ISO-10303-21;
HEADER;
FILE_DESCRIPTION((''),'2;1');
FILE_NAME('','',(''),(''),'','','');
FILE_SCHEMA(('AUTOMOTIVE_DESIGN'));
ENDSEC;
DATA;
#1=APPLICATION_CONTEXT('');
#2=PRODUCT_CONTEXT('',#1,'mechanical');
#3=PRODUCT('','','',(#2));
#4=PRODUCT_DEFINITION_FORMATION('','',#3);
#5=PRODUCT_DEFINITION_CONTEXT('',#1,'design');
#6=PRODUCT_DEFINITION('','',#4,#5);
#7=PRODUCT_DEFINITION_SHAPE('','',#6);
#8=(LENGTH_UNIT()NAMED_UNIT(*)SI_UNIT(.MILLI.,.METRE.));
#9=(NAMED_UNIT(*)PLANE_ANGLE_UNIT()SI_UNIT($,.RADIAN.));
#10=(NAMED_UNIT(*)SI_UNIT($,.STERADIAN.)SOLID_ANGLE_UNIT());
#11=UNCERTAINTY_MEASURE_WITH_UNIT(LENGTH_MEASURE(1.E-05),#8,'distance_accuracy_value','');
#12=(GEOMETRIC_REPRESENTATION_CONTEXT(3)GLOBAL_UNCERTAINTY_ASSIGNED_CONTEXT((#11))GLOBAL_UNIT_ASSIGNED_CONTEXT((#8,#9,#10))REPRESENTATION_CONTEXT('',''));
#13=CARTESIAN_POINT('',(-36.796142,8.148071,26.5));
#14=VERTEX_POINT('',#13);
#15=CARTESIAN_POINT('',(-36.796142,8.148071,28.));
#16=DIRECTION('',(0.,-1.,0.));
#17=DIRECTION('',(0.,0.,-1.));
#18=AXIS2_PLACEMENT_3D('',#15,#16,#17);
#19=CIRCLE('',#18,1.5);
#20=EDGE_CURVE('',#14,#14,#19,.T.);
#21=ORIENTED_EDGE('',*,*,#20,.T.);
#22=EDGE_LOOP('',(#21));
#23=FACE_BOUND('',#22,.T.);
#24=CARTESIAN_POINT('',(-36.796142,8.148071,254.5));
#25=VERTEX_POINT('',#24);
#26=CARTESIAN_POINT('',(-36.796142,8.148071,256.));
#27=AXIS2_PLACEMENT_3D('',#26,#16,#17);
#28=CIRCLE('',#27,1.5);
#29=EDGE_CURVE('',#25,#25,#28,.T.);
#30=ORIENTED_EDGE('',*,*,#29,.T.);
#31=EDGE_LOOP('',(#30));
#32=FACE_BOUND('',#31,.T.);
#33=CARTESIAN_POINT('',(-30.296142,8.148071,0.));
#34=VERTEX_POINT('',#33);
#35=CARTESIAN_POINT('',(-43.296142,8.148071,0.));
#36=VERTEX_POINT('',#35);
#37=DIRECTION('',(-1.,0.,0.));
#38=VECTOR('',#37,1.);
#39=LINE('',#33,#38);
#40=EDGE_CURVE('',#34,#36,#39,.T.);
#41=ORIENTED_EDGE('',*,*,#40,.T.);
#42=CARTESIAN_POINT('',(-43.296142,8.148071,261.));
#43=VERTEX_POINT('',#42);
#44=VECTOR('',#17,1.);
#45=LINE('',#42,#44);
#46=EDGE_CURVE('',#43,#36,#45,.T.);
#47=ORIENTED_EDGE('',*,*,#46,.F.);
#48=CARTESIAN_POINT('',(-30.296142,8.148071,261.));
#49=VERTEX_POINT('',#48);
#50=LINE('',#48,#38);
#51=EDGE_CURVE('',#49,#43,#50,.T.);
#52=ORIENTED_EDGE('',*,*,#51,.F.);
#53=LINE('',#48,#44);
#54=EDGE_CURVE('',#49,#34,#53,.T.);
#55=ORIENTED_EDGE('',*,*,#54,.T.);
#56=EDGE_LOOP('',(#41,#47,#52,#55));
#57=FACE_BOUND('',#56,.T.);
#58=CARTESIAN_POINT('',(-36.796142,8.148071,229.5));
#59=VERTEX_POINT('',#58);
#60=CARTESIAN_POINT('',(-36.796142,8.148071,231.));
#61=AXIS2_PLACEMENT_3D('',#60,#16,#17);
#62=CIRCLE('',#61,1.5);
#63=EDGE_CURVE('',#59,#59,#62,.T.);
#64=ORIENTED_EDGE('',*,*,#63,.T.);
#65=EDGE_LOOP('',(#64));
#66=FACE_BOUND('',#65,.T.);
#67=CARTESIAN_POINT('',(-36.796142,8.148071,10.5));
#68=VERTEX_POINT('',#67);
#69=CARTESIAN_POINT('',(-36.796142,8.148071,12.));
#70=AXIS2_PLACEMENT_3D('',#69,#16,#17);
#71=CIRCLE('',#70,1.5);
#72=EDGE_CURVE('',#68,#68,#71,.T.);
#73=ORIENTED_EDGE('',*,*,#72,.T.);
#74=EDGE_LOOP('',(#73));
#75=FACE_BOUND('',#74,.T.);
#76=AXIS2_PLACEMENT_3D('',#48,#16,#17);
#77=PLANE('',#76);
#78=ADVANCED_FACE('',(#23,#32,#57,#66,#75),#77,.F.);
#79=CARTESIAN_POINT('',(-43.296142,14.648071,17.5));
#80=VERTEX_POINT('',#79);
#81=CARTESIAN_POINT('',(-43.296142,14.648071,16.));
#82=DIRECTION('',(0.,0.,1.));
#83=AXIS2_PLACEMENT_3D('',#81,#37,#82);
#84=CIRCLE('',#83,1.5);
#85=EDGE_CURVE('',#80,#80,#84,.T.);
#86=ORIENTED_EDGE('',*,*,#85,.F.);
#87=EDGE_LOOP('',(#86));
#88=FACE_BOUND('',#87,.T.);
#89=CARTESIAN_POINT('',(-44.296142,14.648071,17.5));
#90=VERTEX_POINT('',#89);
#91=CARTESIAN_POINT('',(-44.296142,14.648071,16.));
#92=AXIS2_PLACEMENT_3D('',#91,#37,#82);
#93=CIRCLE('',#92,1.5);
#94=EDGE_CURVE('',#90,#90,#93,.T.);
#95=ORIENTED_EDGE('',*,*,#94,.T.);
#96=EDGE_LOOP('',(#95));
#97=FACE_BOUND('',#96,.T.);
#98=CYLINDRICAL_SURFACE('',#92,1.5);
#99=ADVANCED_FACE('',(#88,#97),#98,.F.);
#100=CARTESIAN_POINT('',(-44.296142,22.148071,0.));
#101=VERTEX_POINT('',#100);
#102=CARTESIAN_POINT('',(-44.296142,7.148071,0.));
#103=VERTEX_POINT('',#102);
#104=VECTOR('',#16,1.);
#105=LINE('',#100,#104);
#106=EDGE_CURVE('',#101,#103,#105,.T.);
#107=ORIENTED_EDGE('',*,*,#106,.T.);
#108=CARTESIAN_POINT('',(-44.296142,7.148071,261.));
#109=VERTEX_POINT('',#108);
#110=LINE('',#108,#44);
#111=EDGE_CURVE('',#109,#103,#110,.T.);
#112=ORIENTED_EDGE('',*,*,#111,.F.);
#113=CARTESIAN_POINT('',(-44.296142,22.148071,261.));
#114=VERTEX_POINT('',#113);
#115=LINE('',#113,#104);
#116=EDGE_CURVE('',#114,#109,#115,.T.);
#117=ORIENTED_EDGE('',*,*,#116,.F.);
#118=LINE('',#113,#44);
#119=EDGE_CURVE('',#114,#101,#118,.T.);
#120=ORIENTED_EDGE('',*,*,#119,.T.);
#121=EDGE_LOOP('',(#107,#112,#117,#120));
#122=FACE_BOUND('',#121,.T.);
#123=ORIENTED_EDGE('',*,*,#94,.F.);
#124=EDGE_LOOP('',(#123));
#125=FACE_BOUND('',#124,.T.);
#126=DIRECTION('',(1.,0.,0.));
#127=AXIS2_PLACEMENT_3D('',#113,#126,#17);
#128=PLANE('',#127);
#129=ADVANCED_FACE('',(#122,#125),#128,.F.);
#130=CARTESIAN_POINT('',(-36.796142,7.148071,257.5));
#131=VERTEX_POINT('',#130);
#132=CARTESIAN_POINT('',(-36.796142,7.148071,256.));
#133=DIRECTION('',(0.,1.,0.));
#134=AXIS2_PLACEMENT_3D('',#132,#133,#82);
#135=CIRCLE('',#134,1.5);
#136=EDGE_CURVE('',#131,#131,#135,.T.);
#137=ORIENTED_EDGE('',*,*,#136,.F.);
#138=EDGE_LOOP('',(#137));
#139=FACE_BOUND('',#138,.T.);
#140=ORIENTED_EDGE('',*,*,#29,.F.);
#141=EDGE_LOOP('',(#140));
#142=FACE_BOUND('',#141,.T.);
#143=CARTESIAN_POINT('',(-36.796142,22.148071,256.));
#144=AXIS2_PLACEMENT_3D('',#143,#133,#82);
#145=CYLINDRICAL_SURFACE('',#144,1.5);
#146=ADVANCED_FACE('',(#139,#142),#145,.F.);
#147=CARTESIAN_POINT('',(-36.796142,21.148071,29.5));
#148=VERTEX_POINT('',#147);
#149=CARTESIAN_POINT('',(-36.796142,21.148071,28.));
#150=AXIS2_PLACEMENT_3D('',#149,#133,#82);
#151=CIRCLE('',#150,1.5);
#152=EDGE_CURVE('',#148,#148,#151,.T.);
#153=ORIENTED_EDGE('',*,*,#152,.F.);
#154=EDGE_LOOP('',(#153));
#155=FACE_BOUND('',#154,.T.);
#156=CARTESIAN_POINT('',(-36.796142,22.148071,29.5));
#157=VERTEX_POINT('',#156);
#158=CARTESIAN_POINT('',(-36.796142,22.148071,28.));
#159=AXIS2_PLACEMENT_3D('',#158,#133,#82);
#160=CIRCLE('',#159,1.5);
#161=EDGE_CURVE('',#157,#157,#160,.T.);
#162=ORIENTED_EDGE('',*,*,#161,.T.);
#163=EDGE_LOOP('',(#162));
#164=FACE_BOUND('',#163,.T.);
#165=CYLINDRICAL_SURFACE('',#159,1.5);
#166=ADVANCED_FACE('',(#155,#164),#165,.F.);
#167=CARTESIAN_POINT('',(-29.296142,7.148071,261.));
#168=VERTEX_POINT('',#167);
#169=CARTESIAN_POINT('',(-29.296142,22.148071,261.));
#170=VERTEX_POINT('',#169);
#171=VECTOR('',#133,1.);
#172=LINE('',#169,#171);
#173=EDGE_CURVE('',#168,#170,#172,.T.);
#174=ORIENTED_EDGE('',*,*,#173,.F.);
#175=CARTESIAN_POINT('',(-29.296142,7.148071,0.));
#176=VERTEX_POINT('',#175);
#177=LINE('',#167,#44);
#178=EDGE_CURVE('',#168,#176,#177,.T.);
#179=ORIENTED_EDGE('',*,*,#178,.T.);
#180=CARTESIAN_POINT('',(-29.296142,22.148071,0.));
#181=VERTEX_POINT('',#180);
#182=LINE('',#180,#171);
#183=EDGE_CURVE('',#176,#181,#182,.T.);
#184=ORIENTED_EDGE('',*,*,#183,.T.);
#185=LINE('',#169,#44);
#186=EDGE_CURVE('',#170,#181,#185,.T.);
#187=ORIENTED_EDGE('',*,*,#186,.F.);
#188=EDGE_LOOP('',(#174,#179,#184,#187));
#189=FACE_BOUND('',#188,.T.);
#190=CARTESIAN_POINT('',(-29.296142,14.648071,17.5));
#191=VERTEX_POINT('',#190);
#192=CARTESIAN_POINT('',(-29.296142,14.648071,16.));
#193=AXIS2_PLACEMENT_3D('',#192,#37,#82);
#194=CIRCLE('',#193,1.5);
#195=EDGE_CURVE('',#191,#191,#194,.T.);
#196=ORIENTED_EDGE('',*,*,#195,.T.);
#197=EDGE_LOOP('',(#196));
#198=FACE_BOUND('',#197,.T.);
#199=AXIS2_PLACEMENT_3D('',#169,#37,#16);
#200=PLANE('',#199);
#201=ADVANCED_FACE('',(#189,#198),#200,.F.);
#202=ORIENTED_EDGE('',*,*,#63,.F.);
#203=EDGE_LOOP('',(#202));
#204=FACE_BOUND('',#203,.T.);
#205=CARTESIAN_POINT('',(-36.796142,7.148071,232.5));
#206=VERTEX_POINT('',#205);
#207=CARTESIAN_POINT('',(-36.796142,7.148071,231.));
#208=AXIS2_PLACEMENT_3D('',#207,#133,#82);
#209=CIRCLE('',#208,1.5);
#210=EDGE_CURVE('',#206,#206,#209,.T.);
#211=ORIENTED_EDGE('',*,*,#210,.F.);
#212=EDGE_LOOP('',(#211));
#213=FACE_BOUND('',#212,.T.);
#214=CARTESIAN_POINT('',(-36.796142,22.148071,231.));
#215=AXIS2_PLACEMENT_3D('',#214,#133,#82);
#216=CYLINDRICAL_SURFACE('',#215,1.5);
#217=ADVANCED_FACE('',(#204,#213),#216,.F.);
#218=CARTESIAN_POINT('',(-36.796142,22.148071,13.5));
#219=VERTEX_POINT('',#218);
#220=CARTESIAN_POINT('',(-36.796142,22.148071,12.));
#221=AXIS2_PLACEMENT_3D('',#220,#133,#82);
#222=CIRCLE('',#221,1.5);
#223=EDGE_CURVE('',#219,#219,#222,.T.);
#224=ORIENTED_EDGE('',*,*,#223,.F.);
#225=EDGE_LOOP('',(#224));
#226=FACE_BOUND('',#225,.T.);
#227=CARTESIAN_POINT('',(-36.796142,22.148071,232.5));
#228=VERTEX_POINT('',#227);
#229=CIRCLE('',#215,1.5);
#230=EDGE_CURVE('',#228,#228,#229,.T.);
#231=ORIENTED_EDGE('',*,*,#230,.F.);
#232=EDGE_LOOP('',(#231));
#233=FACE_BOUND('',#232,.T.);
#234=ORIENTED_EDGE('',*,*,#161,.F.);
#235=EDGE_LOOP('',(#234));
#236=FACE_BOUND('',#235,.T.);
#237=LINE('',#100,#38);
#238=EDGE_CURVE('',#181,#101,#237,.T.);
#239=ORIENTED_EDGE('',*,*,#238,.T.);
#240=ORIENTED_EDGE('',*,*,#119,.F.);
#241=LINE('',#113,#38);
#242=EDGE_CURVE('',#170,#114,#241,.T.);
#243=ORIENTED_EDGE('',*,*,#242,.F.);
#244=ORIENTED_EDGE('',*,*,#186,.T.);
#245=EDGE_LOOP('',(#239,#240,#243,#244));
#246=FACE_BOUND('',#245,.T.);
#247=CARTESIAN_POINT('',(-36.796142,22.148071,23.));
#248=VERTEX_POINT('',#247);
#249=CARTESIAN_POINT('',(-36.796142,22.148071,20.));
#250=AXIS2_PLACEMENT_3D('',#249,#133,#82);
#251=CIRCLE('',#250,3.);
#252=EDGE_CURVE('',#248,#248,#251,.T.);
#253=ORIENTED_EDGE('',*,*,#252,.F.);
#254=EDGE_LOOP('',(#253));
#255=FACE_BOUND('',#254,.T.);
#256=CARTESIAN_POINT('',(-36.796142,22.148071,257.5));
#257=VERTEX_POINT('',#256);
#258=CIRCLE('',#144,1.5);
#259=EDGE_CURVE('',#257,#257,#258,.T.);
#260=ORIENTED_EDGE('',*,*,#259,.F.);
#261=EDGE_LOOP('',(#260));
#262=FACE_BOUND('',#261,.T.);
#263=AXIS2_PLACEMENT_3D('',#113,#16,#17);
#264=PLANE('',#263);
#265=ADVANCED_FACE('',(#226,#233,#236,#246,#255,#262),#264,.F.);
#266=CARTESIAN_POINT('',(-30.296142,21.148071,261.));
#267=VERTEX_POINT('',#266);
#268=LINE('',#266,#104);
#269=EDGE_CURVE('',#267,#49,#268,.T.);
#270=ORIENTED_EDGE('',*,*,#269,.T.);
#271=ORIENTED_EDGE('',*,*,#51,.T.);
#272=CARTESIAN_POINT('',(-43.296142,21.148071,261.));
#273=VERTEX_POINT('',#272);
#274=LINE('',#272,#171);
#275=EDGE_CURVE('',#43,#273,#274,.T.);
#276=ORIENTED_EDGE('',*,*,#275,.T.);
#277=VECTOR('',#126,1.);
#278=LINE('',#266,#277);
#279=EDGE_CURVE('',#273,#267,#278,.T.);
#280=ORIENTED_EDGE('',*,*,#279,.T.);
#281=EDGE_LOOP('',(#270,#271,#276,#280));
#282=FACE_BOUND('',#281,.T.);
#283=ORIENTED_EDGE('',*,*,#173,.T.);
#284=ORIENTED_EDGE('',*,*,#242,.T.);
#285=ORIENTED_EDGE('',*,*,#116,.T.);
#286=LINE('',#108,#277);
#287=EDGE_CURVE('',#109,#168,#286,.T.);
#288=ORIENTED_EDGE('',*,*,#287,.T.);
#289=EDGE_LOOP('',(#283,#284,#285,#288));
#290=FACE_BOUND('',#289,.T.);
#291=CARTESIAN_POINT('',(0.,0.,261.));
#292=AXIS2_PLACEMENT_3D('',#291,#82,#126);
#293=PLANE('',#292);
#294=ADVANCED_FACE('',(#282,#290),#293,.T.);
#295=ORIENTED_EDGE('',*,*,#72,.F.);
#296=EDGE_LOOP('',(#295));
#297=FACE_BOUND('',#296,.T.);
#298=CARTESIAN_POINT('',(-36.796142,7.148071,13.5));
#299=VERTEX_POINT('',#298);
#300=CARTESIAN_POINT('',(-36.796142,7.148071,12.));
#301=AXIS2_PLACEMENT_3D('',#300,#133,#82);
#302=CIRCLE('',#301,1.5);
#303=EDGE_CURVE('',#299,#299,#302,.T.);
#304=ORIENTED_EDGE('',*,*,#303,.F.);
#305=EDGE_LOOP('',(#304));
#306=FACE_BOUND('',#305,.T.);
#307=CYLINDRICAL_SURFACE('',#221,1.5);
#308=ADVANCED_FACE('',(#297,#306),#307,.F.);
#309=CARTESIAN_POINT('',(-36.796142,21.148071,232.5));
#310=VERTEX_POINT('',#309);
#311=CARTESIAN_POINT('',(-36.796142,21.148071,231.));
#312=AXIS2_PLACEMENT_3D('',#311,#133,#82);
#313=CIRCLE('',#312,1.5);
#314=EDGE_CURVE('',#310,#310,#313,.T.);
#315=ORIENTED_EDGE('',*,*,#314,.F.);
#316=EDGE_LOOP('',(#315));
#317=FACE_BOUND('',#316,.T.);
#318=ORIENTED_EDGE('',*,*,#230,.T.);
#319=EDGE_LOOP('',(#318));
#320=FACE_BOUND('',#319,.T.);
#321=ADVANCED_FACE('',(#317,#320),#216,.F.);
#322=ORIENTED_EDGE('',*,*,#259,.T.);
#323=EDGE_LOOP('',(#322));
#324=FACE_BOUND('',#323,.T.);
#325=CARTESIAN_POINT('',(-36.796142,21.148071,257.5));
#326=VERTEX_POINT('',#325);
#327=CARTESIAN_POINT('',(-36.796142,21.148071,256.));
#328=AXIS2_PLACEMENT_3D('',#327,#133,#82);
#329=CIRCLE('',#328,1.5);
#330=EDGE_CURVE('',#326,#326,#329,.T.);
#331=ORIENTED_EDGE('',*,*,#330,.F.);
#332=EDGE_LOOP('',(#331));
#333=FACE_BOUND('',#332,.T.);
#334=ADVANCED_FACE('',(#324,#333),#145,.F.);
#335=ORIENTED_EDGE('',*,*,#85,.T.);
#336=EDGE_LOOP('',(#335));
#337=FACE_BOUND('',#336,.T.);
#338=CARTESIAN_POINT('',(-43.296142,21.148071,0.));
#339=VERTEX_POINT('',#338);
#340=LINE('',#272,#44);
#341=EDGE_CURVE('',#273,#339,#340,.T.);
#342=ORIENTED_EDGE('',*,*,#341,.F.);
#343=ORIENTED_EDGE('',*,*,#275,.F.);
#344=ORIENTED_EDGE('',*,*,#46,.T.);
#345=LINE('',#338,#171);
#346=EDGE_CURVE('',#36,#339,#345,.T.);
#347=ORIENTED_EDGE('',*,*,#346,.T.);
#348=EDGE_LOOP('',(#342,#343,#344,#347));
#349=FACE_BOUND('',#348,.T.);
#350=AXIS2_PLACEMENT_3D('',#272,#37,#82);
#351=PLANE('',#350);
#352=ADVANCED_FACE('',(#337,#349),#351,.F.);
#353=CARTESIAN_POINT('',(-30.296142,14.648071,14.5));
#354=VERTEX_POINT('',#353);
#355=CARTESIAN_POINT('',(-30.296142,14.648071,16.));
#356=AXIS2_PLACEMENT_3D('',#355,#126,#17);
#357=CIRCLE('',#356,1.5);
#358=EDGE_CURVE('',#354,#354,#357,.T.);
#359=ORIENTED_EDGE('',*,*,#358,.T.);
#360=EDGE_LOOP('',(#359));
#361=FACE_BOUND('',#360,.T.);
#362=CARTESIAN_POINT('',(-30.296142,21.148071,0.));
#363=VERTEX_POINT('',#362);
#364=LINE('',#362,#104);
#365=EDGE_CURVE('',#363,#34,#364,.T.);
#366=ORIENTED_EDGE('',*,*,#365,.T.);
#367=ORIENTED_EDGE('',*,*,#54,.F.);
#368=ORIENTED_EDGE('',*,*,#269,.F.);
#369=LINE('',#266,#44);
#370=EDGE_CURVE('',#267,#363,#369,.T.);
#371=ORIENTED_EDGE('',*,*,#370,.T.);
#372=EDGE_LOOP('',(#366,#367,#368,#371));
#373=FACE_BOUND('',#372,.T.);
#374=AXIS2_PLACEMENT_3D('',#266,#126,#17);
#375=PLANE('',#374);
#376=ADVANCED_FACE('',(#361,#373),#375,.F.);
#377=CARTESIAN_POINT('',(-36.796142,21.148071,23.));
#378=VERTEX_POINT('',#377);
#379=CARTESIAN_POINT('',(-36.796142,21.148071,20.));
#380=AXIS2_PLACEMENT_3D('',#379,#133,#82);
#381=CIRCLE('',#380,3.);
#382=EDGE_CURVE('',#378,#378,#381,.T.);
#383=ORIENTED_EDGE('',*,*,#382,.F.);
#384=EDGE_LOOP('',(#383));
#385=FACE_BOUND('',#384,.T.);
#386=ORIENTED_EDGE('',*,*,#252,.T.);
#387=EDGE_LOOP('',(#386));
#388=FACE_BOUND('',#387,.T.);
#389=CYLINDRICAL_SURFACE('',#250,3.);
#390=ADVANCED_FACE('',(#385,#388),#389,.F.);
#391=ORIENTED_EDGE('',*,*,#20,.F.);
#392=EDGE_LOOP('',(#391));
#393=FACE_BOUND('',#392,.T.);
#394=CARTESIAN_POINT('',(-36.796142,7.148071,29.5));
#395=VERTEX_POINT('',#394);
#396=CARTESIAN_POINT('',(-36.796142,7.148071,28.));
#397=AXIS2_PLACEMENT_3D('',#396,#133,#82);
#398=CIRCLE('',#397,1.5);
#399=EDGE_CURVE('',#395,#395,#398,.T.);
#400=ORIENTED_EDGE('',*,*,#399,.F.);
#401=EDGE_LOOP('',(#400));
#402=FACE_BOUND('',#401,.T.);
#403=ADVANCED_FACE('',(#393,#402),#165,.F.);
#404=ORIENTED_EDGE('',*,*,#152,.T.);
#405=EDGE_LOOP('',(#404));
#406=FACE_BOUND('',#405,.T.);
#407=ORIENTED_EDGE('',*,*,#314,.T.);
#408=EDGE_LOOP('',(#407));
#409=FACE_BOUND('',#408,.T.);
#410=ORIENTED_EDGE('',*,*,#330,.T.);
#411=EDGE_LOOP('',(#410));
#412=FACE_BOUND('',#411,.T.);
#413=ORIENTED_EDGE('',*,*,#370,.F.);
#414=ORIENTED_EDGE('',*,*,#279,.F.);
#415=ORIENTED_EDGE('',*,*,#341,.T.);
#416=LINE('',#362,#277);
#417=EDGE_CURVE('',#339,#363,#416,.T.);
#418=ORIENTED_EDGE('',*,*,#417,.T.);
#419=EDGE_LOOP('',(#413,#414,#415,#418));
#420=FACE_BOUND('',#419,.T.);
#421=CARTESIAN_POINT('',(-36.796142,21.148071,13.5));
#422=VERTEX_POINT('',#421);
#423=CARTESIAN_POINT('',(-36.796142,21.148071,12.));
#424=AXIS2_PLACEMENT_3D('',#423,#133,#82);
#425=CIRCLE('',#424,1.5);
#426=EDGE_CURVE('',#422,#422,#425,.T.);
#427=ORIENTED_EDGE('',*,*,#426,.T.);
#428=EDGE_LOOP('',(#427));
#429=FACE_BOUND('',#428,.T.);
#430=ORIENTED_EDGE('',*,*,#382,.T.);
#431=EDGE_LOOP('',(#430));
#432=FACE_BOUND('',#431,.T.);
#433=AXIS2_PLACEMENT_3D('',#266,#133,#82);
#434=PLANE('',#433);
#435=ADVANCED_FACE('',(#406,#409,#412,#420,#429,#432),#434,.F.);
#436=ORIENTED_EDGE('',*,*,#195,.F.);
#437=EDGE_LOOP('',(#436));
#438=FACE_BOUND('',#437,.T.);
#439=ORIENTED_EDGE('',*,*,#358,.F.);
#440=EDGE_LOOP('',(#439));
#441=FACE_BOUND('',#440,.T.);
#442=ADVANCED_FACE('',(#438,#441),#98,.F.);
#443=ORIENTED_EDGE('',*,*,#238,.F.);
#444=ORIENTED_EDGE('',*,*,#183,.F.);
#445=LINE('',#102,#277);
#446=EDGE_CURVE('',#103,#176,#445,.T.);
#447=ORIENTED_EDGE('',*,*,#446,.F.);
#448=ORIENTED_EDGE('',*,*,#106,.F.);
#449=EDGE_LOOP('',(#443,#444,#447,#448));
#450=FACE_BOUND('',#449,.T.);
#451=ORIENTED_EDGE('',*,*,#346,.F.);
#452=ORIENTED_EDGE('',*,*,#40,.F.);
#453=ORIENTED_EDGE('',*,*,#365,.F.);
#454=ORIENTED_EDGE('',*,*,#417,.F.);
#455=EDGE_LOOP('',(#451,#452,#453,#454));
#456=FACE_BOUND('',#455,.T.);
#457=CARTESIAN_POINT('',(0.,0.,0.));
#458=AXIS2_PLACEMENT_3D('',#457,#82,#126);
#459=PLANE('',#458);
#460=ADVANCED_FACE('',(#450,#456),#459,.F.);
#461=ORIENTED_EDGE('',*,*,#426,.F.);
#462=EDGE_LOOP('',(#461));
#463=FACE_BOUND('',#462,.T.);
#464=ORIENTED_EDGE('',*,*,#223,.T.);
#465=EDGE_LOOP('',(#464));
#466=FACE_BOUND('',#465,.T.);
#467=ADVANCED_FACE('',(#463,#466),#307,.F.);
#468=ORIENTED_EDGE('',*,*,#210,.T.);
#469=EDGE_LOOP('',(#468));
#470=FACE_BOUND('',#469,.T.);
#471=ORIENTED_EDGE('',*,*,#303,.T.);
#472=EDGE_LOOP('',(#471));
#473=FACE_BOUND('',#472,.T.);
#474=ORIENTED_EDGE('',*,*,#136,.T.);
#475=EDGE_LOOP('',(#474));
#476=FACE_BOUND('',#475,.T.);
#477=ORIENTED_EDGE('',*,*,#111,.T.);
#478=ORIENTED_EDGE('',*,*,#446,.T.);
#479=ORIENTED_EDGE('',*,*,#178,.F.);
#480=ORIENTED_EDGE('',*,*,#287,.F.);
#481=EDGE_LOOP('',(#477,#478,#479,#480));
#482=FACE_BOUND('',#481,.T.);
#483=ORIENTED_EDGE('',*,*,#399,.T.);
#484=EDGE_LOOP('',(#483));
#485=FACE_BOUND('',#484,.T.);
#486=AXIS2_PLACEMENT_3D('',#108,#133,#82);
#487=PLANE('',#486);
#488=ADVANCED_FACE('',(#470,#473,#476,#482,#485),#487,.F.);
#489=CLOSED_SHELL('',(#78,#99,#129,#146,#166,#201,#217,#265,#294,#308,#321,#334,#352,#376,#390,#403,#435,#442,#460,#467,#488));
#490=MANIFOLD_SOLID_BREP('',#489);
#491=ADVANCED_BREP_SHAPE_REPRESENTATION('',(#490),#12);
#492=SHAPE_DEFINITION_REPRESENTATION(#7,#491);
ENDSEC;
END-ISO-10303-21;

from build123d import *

# Parameters (mm, degrees)
SKETCH1_W                    = 15
SKETCH1_H                    = 15
BOSS_EXTRUDE1_DEPTH          = 261
SKETCH2_W                    = 13
SKETCH2_H                    = 13
CUT_EXTRUDE1_DEPTH           = 261
F_3_0_3_DIAMETER_HOLE1_D     = 3
F_3_0_3_DIAMETER_HOLE2_D     = 3
F_6_0_6_DIAMETER_HOLE1_D     = 6
F_6_0_6_DIAMETER_HOLE1_DEPTH = 10
F_6_0_6_DIAMETER_HOLE1_TIP   = 1.802581857
F_3_0_3_DIAMETER_HOLE3_D     = 3


with BuildPart() as part:
    # Sketch1 → Boss-Extrude1 (new body)
    with BuildSketch(Plane.XY):
        with Locations((-36.796141786, 14.648070893)):
            Rectangle(SKETCH1_W, SKETCH1_H)
    extrude(amount=BOSS_EXTRUDE1_DEPTH)

    # Sketch2 → Cut-Extrude1 (cut)
    with BuildSketch(Plane(origin=(0, 0, 0), x_dir=(-1, 0, 0), z_dir=(0, 0, -1))):
        with Locations((36.796141786, 14.648070893)):
            Rectangle(SKETCH2_W, SKETCH2_H)
    extrude(amount=-CUT_EXTRUDE1_DEPTH, mode=Mode.SUBTRACT)

    # Ø3.0 (3) Diameter Hole1 (through all)
    with Locations(Plane(origin=(0, 22.148070893, 0), x_dir=(1, 0, 0), z_dir=(0, 1, 0))):
        with Locations((-36.796141786, -256), (-36.796141786, -231)):
            Hole(F_3_0_3_DIAMETER_HOLE1_D / 2)

    # Ø3.0 (3) Diameter Hole2 (through all)
    with Locations(Plane(origin=(0, 22.148070893, 0), x_dir=(1, 0, 0), z_dir=(0, 1, 0))):
        with Locations((-36.796141786, -12), (-36.796141786, -28)):
            Hole(F_3_0_3_DIAMETER_HOLE2_D / 2)

    # Ø6.0 (6) Diameter Hole1
    with Locations(Plane(origin=(0, 22.148070893, 0), x_dir=(1, 0, 0), z_dir=(0, 1, 0))):
        with Locations((-36.796141786, -20)):
            Hole(F_6_0_6_DIAMETER_HOLE1_D / 2, depth=F_6_0_6_DIAMETER_HOLE1_DEPTH)
            with Locations((0, 0, -(F_6_0_6_DIAMETER_HOLE1_DEPTH + F_6_0_6_DIAMETER_HOLE1_TIP / 2))):  # 118° drill point
                Cone(0, F_6_0_6_DIAMETER_HOLE1_D / 2, F_6_0_6_DIAMETER_HOLE1_TIP, mode=Mode.SUBTRACT)

    # Ø3.0 (3) Diameter Hole3 (through all)
    with Locations(Plane.ZY.offset(44.296141786)):
        with Locations((16, 14.648070893)):
            Hole(F_3_0_3_DIAMETER_HOLE3_D / 2)


solid = part.part
